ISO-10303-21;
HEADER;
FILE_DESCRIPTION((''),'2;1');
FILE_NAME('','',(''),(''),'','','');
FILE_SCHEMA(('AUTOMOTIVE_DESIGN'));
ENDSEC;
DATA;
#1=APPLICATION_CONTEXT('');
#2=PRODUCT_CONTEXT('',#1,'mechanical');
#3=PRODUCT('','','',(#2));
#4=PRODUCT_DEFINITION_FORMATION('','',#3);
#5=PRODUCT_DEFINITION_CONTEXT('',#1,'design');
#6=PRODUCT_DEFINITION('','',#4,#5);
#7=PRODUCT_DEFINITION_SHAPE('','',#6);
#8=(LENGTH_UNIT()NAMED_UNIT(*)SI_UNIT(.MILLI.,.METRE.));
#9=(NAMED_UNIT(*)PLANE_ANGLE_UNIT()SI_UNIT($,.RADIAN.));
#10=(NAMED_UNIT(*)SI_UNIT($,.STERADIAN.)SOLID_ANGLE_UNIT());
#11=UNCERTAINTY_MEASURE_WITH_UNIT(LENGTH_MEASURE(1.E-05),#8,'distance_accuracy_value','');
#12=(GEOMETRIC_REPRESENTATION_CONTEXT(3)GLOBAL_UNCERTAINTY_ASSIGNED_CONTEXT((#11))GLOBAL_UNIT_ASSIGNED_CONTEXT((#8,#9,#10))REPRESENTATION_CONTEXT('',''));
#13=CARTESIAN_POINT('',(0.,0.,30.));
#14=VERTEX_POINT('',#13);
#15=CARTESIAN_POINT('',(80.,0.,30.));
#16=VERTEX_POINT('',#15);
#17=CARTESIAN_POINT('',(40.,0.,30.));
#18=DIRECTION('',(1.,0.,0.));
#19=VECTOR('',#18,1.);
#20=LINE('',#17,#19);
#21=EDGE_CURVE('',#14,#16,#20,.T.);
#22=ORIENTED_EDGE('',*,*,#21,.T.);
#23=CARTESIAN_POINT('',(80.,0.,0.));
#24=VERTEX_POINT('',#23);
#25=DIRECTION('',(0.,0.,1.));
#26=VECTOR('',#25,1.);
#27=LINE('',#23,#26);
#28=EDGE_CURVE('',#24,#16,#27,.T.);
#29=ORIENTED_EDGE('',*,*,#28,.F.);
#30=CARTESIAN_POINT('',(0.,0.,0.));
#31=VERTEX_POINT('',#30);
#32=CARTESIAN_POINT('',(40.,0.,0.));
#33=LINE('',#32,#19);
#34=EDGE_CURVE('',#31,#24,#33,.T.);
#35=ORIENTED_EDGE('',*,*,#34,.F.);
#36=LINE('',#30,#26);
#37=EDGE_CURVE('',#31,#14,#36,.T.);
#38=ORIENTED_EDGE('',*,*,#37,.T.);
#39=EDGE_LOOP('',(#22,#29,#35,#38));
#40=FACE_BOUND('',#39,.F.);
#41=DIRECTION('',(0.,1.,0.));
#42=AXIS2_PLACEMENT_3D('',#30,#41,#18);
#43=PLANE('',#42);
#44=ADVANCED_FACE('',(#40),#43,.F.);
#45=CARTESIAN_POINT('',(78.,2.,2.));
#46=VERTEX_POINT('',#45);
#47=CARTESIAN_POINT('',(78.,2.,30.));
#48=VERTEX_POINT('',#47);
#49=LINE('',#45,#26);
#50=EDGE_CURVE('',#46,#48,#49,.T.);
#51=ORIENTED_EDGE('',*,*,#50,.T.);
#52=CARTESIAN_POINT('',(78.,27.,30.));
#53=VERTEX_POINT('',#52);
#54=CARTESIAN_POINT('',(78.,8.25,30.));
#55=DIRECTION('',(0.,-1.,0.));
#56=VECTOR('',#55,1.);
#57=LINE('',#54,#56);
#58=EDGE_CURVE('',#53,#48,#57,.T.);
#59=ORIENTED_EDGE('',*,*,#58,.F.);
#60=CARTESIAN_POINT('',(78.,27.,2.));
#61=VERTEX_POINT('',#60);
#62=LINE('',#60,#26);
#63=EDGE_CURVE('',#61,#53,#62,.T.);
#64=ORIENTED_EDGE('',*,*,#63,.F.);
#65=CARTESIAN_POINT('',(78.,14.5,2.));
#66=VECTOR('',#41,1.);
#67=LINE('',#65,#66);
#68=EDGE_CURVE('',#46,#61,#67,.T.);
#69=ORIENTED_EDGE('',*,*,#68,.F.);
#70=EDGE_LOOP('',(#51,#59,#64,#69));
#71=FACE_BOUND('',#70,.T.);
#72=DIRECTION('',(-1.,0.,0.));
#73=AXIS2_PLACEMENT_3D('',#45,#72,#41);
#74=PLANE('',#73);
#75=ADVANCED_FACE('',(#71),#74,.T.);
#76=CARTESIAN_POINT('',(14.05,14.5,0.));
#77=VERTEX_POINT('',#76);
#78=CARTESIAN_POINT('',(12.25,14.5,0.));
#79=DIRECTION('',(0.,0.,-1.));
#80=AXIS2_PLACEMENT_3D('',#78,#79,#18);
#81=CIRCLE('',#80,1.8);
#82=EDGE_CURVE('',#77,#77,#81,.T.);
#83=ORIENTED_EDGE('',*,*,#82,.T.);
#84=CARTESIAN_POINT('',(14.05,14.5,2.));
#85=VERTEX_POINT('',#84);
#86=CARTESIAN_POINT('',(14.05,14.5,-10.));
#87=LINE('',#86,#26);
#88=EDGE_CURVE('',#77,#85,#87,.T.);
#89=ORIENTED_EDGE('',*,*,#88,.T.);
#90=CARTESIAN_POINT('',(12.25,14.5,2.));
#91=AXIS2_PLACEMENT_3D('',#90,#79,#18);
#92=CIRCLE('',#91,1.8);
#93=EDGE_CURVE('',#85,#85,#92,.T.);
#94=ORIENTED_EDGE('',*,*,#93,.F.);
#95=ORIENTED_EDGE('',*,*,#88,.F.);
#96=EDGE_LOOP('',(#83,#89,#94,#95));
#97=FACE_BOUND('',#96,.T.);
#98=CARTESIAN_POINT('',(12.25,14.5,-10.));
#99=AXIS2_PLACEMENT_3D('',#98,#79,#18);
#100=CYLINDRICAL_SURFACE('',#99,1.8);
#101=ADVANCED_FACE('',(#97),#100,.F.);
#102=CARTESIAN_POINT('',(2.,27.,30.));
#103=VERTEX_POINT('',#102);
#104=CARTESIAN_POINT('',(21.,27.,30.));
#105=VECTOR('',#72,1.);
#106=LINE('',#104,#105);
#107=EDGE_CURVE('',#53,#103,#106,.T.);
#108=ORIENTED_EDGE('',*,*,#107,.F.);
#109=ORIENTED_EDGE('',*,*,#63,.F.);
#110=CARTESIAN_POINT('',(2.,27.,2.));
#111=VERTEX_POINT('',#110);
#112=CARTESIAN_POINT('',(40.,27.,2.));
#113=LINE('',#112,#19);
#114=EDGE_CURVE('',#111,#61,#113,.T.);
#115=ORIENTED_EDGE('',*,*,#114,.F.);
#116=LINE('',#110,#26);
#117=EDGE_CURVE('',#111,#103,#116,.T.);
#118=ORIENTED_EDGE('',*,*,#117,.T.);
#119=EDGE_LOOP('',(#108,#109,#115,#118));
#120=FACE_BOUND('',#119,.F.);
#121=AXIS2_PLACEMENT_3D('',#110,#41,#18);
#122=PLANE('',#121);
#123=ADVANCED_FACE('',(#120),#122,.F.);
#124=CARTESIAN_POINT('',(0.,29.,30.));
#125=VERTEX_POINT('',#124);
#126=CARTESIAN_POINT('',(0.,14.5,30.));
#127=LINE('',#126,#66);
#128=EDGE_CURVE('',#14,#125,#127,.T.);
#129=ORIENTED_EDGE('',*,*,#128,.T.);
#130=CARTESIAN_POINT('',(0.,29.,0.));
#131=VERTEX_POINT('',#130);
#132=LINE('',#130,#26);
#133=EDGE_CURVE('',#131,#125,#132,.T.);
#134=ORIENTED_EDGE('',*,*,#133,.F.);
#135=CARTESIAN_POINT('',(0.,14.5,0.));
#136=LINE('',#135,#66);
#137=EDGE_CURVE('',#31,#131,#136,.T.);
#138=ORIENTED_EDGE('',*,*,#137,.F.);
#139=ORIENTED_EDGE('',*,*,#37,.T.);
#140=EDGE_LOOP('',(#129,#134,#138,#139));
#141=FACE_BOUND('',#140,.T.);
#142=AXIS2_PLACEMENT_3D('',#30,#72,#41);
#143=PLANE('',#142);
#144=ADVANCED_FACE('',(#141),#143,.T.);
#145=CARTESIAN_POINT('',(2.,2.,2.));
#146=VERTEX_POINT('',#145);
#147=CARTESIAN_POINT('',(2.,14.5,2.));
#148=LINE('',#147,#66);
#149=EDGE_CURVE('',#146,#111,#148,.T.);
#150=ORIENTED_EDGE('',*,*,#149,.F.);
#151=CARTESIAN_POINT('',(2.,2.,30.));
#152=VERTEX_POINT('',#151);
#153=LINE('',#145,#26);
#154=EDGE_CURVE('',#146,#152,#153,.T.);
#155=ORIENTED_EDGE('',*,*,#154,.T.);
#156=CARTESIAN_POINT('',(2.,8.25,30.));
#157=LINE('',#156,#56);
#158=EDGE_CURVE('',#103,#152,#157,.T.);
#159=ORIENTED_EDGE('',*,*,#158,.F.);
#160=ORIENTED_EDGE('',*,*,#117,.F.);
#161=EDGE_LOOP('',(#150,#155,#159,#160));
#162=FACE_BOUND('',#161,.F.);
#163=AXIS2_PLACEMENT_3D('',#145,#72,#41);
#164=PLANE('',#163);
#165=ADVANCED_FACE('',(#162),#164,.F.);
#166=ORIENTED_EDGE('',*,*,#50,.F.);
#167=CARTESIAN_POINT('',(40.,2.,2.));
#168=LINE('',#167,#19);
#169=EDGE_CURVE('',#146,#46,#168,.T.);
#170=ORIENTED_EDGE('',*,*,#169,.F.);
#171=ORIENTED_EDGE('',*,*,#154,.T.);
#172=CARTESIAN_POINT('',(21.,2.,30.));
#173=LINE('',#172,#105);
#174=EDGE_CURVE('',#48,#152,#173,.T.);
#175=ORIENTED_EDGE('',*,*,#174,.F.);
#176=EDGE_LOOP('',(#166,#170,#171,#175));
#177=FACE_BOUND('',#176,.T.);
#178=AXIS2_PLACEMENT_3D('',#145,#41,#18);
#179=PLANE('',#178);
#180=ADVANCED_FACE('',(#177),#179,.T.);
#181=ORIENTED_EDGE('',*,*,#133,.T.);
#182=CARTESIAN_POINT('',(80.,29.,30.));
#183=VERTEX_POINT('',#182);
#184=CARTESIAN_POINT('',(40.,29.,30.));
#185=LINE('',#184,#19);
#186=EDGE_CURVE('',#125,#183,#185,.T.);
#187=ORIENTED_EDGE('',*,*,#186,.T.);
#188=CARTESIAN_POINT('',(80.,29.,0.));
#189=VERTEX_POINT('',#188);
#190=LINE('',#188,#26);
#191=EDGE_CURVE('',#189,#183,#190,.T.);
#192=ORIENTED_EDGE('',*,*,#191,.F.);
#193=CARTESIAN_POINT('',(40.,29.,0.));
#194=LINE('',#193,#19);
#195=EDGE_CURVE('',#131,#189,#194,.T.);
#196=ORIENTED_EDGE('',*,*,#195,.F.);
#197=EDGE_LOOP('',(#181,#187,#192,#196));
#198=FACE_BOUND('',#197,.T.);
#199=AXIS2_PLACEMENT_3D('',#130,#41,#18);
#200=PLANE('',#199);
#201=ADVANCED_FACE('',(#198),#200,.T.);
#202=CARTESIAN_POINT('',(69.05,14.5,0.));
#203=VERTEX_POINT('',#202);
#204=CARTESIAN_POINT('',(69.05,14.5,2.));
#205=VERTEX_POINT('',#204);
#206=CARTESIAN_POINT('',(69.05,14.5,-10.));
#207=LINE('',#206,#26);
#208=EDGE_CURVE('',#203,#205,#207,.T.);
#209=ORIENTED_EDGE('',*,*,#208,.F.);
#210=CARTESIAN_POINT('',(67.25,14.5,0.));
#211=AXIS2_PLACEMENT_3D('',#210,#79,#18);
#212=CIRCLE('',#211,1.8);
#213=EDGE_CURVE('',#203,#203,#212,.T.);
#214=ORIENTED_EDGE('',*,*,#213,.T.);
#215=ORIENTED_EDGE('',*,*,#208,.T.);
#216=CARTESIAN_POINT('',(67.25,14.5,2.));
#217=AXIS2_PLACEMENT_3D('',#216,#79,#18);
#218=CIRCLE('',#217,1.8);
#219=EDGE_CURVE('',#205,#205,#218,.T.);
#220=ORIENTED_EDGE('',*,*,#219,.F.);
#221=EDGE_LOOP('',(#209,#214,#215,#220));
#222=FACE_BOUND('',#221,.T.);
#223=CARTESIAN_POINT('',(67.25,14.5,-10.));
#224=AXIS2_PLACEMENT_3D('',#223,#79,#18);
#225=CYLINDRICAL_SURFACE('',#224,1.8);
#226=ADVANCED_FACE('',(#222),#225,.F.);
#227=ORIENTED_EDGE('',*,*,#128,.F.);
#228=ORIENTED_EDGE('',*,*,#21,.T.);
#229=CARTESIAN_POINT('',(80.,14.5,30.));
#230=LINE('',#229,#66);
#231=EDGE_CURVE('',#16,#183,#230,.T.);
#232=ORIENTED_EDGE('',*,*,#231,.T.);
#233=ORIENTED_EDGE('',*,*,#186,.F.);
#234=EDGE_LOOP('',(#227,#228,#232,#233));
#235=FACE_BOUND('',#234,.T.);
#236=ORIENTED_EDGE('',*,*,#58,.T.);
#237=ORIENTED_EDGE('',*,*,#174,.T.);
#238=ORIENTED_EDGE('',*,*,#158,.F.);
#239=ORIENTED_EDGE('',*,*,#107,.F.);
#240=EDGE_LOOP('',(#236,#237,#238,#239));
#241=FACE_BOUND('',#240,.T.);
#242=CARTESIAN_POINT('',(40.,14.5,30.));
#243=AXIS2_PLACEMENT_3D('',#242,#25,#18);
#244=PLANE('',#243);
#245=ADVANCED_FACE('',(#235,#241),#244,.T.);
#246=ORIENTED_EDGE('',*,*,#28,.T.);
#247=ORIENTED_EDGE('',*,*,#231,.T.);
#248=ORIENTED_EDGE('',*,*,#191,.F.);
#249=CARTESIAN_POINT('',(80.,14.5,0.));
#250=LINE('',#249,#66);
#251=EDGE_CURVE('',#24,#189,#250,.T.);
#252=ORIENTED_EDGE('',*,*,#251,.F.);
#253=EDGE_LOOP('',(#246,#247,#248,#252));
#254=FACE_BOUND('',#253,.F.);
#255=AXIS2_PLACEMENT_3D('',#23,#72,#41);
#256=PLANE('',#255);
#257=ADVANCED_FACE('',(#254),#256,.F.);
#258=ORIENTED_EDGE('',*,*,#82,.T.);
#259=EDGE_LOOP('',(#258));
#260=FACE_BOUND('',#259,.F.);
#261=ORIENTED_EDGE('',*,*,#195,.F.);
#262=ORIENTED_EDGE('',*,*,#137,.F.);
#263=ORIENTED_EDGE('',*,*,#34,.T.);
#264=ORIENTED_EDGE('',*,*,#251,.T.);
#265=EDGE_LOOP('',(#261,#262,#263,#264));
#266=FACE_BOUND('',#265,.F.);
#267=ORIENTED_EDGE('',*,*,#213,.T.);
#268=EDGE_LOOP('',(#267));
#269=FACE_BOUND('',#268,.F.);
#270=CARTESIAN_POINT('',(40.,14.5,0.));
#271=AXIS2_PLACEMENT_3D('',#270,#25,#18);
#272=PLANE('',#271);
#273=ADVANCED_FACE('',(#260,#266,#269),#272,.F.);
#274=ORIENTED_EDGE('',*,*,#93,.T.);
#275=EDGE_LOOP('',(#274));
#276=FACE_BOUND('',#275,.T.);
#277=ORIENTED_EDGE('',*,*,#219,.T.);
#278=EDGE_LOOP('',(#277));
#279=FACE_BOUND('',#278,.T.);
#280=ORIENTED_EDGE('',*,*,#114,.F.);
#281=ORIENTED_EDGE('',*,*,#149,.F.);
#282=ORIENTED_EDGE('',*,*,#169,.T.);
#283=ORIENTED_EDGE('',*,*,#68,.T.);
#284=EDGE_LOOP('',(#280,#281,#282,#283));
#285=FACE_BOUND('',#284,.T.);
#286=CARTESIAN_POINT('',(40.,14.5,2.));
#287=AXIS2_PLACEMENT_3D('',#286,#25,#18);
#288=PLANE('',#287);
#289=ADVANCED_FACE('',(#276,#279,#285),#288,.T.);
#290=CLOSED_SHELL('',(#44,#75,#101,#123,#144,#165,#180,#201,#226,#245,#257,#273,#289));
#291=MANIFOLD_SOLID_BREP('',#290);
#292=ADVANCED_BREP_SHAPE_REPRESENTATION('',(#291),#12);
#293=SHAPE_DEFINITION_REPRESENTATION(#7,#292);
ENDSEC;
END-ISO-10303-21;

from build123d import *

# Parameters (mm, degrees)
CYLINDER_R     = 1.8
CYLINDER_DEPTH = 50
ARRAY_X_COUNT  = 2
ARRAY_X_PITCH  = 55
BOX001_W       = 76
BOX001_H       = 25
BOX001_DEPTH   = 30
BOX_W          = 80
BOX_H          = 29
BOX_DEPTH      = 30


with BuildPart() as array:
    # Cylinder → Cylinder (new body)
    with BuildSketch(Plane(origin=(12.25, 14.5, -10), x_dir=(1, 0, 0), z_dir=(0, 0, 1))):
        Circle(CYLINDER_R)
    extrude(amount=CYLINDER_DEPTH)

    # Array X: Array ×2


with BuildPart() as array_1:
    add(array.part)
    with Locations(*[(i * ARRAY_X_PITCH, 0, 0) for i in range(1, ARRAY_X_COUNT)]):
        add(array.part)


with BuildPart() as fusion:
    # Box001 → Box001 (new body)
    with BuildSketch(Plane(origin=(2, 2, 2), x_dir=(1, 0, 0), z_dir=(0, 0, 1))):
        with Locations((38, 12.5)):
            Rectangle(BOX001_W, BOX001_H)
    extrude(amount=BOX001_DEPTH)

    # Fusion: union Array
    add(array_1.part)


with BuildPart() as cut:
    # Box → Box (new body)
    with BuildSketch(Plane.XY):
        with Locations((40, 14.5)):
            Rectangle(BOX_W, BOX_H)
    extrude(amount=BOX_DEPTH)

    # Cut: cut Fusion
    add(fusion.part, mode=Mode.SUBTRACT)


solid = cut.part
